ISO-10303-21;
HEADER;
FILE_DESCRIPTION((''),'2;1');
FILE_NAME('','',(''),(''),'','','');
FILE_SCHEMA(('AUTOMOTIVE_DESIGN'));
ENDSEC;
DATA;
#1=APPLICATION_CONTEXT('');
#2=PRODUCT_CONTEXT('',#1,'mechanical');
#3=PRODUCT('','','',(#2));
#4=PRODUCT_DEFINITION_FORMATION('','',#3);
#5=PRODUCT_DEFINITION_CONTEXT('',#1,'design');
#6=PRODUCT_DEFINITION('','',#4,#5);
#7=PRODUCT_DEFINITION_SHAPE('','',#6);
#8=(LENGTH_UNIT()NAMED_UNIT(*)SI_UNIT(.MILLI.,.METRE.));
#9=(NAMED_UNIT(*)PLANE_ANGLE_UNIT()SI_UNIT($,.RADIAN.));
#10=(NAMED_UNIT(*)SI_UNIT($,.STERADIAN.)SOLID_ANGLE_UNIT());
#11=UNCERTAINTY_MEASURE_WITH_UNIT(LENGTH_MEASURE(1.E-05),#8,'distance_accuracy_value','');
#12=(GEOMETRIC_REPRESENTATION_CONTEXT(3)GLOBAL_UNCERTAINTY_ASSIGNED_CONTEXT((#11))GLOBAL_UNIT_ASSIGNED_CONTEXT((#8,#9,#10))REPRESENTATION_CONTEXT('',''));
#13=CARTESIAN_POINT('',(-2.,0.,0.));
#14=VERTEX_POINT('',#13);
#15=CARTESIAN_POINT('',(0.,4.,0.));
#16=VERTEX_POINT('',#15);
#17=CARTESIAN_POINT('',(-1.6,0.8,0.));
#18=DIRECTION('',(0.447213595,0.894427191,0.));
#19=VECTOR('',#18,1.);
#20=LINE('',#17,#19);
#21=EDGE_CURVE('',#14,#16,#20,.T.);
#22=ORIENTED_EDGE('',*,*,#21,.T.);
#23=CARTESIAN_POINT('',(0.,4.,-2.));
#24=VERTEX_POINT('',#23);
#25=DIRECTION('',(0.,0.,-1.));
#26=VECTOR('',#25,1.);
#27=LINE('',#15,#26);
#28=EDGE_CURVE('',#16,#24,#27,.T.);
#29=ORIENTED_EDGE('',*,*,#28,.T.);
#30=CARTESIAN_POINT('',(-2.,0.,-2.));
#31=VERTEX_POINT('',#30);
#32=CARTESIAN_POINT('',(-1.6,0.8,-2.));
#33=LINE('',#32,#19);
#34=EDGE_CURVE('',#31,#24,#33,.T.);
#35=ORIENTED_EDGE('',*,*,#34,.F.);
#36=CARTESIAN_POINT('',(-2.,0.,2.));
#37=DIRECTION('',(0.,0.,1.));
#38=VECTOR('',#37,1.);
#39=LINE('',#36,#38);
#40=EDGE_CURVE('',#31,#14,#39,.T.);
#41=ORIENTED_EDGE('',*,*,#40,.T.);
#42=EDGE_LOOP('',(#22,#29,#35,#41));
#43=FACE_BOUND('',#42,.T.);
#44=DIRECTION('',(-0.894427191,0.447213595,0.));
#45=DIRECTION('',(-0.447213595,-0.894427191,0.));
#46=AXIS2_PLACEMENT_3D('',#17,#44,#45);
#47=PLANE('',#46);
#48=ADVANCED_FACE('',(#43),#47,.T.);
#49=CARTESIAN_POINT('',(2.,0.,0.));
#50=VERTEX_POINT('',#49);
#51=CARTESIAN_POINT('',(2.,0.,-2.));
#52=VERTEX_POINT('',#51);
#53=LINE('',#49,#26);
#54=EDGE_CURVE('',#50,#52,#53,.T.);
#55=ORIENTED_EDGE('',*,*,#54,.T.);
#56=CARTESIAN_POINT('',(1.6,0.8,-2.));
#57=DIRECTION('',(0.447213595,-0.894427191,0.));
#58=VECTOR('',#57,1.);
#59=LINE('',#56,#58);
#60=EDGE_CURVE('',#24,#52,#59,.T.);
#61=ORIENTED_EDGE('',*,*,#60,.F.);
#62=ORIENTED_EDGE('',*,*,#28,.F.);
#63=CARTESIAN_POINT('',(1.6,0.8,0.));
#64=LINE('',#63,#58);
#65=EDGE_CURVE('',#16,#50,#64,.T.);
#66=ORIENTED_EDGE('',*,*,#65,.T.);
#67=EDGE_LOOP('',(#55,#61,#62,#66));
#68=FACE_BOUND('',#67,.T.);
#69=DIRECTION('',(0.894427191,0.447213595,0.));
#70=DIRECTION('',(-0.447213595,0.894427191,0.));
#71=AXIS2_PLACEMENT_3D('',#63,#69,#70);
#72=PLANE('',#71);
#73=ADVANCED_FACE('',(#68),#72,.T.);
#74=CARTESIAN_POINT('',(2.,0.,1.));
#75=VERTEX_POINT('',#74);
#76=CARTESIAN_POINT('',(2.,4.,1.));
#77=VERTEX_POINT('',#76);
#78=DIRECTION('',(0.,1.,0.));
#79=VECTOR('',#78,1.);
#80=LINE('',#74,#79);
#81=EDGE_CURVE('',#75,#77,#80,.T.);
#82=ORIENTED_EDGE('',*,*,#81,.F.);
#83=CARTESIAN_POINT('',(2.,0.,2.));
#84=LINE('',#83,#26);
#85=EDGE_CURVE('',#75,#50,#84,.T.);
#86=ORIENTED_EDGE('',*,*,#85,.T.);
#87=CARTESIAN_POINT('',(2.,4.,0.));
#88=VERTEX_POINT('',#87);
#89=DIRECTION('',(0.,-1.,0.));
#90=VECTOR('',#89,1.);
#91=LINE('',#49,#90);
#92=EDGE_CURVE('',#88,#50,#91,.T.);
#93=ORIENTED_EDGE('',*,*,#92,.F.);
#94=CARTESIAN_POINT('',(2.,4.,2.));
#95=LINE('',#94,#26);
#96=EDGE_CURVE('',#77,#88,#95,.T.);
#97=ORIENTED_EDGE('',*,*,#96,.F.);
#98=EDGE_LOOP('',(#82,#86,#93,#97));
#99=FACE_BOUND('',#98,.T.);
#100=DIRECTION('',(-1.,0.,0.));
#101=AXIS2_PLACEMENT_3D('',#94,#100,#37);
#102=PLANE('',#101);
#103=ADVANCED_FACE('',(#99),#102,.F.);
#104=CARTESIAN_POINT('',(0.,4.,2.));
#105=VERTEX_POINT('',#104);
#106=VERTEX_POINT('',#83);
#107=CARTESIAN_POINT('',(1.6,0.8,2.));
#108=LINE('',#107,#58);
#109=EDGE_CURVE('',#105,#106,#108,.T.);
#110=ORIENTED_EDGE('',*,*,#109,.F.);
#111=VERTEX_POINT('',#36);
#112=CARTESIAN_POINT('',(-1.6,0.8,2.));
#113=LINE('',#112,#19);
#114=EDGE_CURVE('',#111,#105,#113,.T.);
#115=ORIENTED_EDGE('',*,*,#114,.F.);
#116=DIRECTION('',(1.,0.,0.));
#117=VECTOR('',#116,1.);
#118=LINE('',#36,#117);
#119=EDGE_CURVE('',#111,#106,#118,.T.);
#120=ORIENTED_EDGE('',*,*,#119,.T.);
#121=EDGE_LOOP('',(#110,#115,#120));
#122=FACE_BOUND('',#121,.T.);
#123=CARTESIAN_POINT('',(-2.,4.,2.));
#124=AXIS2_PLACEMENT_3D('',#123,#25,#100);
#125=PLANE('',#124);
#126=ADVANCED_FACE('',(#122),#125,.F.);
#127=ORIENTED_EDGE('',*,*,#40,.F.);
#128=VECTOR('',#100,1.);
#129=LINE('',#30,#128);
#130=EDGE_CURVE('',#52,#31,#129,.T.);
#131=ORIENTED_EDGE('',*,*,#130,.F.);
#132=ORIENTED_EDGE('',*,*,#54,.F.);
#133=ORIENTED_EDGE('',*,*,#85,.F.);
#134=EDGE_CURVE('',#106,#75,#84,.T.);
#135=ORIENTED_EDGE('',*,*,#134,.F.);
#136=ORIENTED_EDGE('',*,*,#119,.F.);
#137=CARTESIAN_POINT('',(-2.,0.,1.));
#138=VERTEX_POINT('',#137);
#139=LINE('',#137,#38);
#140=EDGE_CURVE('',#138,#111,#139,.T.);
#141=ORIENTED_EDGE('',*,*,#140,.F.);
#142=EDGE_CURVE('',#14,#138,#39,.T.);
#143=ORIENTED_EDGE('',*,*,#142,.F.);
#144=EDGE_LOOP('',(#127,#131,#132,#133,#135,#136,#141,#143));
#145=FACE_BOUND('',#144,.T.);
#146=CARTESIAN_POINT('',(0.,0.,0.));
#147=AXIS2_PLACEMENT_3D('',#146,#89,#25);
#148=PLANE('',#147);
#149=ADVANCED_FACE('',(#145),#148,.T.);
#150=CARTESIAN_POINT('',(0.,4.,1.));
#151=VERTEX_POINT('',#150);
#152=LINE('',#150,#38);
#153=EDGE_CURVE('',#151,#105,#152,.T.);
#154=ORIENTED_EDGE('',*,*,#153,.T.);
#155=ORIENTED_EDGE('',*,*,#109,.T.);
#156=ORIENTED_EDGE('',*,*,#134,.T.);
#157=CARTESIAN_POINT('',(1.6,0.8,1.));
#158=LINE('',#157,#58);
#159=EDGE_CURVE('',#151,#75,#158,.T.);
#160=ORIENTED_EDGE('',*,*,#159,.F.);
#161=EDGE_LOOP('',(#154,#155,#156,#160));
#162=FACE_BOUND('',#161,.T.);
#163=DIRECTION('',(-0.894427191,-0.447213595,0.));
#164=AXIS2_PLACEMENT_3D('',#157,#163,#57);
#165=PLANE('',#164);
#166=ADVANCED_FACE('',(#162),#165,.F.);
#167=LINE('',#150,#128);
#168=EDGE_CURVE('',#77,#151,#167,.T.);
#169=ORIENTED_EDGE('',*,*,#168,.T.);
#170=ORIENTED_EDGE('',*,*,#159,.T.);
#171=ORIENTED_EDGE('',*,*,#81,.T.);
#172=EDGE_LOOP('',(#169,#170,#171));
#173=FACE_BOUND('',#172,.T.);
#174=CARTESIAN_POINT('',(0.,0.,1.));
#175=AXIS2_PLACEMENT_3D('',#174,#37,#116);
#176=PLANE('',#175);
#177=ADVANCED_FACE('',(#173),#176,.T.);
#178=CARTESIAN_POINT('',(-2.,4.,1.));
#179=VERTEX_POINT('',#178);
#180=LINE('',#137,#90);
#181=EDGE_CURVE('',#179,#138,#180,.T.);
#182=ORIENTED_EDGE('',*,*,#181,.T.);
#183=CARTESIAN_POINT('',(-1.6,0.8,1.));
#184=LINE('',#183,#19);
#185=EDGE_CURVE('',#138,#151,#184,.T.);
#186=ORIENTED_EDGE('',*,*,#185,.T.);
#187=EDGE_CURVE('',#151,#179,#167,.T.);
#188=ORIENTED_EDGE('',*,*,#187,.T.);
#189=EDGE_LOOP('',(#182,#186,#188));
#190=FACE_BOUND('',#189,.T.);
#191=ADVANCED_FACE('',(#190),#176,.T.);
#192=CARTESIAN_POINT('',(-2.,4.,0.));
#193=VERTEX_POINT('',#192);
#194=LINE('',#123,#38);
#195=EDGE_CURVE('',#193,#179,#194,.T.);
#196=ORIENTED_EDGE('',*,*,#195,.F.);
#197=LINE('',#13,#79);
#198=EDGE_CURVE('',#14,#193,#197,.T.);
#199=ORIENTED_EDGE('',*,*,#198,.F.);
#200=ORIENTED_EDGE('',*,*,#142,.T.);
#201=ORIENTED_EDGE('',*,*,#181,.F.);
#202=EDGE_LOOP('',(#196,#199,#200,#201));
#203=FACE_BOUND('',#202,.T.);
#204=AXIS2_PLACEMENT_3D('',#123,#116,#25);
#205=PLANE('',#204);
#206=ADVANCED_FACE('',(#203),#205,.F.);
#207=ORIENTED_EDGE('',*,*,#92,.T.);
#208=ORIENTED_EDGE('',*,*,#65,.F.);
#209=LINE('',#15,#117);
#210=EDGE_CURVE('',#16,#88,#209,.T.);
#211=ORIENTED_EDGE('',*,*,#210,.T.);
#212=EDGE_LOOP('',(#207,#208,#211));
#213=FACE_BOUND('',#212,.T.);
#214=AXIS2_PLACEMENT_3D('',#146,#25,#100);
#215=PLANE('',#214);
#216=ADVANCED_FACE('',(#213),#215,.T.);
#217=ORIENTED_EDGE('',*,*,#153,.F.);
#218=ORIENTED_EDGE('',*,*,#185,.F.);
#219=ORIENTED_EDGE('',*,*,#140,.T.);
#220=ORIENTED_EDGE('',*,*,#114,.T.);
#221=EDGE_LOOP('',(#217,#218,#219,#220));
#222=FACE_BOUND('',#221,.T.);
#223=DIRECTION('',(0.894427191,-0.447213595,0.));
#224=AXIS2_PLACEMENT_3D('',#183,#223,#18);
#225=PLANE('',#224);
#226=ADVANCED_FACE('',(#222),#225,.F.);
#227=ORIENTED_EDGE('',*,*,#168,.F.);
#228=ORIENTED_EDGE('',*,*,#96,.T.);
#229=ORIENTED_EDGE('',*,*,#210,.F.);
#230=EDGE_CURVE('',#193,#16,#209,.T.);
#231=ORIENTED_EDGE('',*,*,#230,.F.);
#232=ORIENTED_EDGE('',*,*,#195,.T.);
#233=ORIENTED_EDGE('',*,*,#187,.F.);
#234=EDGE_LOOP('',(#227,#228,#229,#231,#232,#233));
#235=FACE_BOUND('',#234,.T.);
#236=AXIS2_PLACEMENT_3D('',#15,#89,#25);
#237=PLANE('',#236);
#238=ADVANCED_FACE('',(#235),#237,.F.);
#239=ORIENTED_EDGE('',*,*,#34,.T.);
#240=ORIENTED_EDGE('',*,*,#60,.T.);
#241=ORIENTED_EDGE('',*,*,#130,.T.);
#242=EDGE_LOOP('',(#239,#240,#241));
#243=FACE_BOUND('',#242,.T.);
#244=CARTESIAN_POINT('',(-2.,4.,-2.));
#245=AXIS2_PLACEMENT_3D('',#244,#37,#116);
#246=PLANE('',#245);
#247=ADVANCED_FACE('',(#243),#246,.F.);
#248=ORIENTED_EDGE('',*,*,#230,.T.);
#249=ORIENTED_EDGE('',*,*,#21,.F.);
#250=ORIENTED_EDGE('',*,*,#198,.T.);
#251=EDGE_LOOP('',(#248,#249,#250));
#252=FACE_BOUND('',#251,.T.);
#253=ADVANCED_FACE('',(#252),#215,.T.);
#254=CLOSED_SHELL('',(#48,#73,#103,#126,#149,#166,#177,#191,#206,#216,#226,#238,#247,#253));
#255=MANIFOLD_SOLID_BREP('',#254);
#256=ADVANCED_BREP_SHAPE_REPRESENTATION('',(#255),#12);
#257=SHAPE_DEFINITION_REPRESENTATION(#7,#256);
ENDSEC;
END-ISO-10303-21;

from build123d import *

# Parameters (mm, degrees)
SKETCH1_W           = 4
SKETCH1_H           = 4
BOSS_EXTRUDE1_DEPTH = 4
CUT_EXTRUDE3_DEPTH  = 1
CUT_EXTRUDE5_DEPTH  = 2


with BuildPart() as part:
    # Sketch1 → Boss-Extrude1 (new body)
    with BuildSketch(Plane(origin=(0, 0, 0), x_dir=(1, 0, 0), z_dir=(0, 1, 0))):
        Rectangle(SKETCH1_W, SKETCH1_H)
    extrude(amount=BOSS_EXTRUDE1_DEPTH)

    # Sketch6 → Cut-Extrude3 (cut)
    with BuildSketch(Plane.XY.offset(2)):
        Polygon((-2, 0), (0, 4), (-2, 4), align=None)
        Polygon((2, 4), (0, 4), (2, 0), align=None)
    extrude(amount=-CUT_EXTRUDE3_DEPTH, mode=Mode.SUBTRACT)

    # Sketch8 → Cut-Extrude5 (cut)
    with BuildSketch(Plane(origin=(0, 0, -2), x_dir=(-1, 0, 0), z_dir=(0, 0, -1))):
        Polygon((-2, 4), (-2, 0), (0, 4), align=None)
        Polygon((2, 4), (0, 4), (2, 0), align=None)
    extrude(amount=-CUT_EXTRUDE5_DEPTH, mode=Mode.SUBTRACT)


solid = part.part
